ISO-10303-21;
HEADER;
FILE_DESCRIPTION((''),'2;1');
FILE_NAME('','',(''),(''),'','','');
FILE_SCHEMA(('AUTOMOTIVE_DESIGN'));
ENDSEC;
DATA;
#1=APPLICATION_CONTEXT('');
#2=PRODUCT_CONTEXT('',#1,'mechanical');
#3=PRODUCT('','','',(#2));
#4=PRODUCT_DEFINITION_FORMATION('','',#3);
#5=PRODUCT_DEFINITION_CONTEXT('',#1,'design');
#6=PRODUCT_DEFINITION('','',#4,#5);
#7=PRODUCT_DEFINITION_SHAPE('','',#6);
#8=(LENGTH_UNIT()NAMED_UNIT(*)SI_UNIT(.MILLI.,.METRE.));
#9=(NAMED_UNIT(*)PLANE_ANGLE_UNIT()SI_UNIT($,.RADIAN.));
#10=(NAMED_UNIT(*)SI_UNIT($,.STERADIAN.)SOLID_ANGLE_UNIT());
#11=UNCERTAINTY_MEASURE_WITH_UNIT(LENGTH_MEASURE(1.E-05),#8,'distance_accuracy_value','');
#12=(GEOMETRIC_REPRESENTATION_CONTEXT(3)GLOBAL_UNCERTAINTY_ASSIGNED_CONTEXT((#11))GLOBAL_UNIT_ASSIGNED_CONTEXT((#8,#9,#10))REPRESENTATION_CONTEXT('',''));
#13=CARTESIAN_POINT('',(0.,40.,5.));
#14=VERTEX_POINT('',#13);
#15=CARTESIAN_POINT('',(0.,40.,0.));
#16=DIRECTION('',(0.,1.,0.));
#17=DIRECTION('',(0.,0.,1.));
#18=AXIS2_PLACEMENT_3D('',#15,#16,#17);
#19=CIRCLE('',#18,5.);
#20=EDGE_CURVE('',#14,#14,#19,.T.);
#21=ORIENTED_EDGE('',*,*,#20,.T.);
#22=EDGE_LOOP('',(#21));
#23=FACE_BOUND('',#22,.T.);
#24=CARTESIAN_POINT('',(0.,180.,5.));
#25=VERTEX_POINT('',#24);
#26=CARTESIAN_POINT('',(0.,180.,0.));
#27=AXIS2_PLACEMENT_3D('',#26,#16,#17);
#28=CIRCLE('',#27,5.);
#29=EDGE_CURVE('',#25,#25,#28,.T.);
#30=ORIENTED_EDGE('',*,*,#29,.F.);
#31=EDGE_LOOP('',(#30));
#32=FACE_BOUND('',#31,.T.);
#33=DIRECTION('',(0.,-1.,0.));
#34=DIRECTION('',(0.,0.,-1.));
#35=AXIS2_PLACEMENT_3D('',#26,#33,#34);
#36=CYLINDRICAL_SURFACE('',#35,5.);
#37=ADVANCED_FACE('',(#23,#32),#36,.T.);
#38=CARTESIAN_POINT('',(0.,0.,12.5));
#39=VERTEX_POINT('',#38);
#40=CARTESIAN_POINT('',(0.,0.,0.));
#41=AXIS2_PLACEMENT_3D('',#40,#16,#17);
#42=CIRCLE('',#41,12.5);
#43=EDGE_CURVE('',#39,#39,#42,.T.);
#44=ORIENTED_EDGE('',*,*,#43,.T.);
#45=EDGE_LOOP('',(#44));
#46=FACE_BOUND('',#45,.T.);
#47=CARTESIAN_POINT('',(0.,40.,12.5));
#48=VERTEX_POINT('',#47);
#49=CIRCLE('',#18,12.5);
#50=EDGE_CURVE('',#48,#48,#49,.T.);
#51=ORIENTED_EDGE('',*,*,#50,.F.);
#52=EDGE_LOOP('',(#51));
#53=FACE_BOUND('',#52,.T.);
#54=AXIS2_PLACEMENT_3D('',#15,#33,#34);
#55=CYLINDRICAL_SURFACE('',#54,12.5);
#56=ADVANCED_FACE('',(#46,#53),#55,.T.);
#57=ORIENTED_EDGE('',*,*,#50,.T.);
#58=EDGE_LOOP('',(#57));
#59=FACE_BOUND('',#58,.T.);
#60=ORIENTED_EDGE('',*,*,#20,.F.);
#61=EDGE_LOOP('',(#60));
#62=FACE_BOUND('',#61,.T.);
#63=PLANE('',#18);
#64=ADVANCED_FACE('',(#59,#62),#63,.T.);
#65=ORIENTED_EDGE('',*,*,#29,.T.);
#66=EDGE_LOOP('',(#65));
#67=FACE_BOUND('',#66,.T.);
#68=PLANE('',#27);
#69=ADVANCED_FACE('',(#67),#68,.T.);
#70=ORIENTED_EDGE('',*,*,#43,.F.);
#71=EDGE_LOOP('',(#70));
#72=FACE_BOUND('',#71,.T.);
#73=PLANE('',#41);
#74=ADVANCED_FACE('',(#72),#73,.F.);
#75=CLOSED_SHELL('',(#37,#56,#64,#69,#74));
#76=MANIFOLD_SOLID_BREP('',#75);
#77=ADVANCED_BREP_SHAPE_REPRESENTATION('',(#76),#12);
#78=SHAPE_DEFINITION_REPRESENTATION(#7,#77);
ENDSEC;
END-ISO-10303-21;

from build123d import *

# Parameters (mm, degrees)
SKETCH1_R           = 12.5
BOSS_EXTRUDE1_DEPTH = 40
SKETCH2_R           = 5
BOSS_EXTRUDE2_DEPTH = 140


with BuildPart() as part:
    # Sketch1 → Boss-Extrude1 (new body)
    with BuildSketch(Plane(origin=(0, 0, 0), x_dir=(1, 0, 0), z_dir=(0, 1, 0))):
        Circle(SKETCH1_R)
    extrude(amount=BOSS_EXTRUDE1_DEPTH)

    # Sketch2 → Boss-Extrude2 (add)
    with BuildSketch(Plane(origin=(0, 40, 0), x_dir=(1, 0, 0), z_dir=(0, 1, 0))):
        Circle(SKETCH2_R)
    extrude(amount=BOSS_EXTRUDE2_DEPTH)


solid = part.part
